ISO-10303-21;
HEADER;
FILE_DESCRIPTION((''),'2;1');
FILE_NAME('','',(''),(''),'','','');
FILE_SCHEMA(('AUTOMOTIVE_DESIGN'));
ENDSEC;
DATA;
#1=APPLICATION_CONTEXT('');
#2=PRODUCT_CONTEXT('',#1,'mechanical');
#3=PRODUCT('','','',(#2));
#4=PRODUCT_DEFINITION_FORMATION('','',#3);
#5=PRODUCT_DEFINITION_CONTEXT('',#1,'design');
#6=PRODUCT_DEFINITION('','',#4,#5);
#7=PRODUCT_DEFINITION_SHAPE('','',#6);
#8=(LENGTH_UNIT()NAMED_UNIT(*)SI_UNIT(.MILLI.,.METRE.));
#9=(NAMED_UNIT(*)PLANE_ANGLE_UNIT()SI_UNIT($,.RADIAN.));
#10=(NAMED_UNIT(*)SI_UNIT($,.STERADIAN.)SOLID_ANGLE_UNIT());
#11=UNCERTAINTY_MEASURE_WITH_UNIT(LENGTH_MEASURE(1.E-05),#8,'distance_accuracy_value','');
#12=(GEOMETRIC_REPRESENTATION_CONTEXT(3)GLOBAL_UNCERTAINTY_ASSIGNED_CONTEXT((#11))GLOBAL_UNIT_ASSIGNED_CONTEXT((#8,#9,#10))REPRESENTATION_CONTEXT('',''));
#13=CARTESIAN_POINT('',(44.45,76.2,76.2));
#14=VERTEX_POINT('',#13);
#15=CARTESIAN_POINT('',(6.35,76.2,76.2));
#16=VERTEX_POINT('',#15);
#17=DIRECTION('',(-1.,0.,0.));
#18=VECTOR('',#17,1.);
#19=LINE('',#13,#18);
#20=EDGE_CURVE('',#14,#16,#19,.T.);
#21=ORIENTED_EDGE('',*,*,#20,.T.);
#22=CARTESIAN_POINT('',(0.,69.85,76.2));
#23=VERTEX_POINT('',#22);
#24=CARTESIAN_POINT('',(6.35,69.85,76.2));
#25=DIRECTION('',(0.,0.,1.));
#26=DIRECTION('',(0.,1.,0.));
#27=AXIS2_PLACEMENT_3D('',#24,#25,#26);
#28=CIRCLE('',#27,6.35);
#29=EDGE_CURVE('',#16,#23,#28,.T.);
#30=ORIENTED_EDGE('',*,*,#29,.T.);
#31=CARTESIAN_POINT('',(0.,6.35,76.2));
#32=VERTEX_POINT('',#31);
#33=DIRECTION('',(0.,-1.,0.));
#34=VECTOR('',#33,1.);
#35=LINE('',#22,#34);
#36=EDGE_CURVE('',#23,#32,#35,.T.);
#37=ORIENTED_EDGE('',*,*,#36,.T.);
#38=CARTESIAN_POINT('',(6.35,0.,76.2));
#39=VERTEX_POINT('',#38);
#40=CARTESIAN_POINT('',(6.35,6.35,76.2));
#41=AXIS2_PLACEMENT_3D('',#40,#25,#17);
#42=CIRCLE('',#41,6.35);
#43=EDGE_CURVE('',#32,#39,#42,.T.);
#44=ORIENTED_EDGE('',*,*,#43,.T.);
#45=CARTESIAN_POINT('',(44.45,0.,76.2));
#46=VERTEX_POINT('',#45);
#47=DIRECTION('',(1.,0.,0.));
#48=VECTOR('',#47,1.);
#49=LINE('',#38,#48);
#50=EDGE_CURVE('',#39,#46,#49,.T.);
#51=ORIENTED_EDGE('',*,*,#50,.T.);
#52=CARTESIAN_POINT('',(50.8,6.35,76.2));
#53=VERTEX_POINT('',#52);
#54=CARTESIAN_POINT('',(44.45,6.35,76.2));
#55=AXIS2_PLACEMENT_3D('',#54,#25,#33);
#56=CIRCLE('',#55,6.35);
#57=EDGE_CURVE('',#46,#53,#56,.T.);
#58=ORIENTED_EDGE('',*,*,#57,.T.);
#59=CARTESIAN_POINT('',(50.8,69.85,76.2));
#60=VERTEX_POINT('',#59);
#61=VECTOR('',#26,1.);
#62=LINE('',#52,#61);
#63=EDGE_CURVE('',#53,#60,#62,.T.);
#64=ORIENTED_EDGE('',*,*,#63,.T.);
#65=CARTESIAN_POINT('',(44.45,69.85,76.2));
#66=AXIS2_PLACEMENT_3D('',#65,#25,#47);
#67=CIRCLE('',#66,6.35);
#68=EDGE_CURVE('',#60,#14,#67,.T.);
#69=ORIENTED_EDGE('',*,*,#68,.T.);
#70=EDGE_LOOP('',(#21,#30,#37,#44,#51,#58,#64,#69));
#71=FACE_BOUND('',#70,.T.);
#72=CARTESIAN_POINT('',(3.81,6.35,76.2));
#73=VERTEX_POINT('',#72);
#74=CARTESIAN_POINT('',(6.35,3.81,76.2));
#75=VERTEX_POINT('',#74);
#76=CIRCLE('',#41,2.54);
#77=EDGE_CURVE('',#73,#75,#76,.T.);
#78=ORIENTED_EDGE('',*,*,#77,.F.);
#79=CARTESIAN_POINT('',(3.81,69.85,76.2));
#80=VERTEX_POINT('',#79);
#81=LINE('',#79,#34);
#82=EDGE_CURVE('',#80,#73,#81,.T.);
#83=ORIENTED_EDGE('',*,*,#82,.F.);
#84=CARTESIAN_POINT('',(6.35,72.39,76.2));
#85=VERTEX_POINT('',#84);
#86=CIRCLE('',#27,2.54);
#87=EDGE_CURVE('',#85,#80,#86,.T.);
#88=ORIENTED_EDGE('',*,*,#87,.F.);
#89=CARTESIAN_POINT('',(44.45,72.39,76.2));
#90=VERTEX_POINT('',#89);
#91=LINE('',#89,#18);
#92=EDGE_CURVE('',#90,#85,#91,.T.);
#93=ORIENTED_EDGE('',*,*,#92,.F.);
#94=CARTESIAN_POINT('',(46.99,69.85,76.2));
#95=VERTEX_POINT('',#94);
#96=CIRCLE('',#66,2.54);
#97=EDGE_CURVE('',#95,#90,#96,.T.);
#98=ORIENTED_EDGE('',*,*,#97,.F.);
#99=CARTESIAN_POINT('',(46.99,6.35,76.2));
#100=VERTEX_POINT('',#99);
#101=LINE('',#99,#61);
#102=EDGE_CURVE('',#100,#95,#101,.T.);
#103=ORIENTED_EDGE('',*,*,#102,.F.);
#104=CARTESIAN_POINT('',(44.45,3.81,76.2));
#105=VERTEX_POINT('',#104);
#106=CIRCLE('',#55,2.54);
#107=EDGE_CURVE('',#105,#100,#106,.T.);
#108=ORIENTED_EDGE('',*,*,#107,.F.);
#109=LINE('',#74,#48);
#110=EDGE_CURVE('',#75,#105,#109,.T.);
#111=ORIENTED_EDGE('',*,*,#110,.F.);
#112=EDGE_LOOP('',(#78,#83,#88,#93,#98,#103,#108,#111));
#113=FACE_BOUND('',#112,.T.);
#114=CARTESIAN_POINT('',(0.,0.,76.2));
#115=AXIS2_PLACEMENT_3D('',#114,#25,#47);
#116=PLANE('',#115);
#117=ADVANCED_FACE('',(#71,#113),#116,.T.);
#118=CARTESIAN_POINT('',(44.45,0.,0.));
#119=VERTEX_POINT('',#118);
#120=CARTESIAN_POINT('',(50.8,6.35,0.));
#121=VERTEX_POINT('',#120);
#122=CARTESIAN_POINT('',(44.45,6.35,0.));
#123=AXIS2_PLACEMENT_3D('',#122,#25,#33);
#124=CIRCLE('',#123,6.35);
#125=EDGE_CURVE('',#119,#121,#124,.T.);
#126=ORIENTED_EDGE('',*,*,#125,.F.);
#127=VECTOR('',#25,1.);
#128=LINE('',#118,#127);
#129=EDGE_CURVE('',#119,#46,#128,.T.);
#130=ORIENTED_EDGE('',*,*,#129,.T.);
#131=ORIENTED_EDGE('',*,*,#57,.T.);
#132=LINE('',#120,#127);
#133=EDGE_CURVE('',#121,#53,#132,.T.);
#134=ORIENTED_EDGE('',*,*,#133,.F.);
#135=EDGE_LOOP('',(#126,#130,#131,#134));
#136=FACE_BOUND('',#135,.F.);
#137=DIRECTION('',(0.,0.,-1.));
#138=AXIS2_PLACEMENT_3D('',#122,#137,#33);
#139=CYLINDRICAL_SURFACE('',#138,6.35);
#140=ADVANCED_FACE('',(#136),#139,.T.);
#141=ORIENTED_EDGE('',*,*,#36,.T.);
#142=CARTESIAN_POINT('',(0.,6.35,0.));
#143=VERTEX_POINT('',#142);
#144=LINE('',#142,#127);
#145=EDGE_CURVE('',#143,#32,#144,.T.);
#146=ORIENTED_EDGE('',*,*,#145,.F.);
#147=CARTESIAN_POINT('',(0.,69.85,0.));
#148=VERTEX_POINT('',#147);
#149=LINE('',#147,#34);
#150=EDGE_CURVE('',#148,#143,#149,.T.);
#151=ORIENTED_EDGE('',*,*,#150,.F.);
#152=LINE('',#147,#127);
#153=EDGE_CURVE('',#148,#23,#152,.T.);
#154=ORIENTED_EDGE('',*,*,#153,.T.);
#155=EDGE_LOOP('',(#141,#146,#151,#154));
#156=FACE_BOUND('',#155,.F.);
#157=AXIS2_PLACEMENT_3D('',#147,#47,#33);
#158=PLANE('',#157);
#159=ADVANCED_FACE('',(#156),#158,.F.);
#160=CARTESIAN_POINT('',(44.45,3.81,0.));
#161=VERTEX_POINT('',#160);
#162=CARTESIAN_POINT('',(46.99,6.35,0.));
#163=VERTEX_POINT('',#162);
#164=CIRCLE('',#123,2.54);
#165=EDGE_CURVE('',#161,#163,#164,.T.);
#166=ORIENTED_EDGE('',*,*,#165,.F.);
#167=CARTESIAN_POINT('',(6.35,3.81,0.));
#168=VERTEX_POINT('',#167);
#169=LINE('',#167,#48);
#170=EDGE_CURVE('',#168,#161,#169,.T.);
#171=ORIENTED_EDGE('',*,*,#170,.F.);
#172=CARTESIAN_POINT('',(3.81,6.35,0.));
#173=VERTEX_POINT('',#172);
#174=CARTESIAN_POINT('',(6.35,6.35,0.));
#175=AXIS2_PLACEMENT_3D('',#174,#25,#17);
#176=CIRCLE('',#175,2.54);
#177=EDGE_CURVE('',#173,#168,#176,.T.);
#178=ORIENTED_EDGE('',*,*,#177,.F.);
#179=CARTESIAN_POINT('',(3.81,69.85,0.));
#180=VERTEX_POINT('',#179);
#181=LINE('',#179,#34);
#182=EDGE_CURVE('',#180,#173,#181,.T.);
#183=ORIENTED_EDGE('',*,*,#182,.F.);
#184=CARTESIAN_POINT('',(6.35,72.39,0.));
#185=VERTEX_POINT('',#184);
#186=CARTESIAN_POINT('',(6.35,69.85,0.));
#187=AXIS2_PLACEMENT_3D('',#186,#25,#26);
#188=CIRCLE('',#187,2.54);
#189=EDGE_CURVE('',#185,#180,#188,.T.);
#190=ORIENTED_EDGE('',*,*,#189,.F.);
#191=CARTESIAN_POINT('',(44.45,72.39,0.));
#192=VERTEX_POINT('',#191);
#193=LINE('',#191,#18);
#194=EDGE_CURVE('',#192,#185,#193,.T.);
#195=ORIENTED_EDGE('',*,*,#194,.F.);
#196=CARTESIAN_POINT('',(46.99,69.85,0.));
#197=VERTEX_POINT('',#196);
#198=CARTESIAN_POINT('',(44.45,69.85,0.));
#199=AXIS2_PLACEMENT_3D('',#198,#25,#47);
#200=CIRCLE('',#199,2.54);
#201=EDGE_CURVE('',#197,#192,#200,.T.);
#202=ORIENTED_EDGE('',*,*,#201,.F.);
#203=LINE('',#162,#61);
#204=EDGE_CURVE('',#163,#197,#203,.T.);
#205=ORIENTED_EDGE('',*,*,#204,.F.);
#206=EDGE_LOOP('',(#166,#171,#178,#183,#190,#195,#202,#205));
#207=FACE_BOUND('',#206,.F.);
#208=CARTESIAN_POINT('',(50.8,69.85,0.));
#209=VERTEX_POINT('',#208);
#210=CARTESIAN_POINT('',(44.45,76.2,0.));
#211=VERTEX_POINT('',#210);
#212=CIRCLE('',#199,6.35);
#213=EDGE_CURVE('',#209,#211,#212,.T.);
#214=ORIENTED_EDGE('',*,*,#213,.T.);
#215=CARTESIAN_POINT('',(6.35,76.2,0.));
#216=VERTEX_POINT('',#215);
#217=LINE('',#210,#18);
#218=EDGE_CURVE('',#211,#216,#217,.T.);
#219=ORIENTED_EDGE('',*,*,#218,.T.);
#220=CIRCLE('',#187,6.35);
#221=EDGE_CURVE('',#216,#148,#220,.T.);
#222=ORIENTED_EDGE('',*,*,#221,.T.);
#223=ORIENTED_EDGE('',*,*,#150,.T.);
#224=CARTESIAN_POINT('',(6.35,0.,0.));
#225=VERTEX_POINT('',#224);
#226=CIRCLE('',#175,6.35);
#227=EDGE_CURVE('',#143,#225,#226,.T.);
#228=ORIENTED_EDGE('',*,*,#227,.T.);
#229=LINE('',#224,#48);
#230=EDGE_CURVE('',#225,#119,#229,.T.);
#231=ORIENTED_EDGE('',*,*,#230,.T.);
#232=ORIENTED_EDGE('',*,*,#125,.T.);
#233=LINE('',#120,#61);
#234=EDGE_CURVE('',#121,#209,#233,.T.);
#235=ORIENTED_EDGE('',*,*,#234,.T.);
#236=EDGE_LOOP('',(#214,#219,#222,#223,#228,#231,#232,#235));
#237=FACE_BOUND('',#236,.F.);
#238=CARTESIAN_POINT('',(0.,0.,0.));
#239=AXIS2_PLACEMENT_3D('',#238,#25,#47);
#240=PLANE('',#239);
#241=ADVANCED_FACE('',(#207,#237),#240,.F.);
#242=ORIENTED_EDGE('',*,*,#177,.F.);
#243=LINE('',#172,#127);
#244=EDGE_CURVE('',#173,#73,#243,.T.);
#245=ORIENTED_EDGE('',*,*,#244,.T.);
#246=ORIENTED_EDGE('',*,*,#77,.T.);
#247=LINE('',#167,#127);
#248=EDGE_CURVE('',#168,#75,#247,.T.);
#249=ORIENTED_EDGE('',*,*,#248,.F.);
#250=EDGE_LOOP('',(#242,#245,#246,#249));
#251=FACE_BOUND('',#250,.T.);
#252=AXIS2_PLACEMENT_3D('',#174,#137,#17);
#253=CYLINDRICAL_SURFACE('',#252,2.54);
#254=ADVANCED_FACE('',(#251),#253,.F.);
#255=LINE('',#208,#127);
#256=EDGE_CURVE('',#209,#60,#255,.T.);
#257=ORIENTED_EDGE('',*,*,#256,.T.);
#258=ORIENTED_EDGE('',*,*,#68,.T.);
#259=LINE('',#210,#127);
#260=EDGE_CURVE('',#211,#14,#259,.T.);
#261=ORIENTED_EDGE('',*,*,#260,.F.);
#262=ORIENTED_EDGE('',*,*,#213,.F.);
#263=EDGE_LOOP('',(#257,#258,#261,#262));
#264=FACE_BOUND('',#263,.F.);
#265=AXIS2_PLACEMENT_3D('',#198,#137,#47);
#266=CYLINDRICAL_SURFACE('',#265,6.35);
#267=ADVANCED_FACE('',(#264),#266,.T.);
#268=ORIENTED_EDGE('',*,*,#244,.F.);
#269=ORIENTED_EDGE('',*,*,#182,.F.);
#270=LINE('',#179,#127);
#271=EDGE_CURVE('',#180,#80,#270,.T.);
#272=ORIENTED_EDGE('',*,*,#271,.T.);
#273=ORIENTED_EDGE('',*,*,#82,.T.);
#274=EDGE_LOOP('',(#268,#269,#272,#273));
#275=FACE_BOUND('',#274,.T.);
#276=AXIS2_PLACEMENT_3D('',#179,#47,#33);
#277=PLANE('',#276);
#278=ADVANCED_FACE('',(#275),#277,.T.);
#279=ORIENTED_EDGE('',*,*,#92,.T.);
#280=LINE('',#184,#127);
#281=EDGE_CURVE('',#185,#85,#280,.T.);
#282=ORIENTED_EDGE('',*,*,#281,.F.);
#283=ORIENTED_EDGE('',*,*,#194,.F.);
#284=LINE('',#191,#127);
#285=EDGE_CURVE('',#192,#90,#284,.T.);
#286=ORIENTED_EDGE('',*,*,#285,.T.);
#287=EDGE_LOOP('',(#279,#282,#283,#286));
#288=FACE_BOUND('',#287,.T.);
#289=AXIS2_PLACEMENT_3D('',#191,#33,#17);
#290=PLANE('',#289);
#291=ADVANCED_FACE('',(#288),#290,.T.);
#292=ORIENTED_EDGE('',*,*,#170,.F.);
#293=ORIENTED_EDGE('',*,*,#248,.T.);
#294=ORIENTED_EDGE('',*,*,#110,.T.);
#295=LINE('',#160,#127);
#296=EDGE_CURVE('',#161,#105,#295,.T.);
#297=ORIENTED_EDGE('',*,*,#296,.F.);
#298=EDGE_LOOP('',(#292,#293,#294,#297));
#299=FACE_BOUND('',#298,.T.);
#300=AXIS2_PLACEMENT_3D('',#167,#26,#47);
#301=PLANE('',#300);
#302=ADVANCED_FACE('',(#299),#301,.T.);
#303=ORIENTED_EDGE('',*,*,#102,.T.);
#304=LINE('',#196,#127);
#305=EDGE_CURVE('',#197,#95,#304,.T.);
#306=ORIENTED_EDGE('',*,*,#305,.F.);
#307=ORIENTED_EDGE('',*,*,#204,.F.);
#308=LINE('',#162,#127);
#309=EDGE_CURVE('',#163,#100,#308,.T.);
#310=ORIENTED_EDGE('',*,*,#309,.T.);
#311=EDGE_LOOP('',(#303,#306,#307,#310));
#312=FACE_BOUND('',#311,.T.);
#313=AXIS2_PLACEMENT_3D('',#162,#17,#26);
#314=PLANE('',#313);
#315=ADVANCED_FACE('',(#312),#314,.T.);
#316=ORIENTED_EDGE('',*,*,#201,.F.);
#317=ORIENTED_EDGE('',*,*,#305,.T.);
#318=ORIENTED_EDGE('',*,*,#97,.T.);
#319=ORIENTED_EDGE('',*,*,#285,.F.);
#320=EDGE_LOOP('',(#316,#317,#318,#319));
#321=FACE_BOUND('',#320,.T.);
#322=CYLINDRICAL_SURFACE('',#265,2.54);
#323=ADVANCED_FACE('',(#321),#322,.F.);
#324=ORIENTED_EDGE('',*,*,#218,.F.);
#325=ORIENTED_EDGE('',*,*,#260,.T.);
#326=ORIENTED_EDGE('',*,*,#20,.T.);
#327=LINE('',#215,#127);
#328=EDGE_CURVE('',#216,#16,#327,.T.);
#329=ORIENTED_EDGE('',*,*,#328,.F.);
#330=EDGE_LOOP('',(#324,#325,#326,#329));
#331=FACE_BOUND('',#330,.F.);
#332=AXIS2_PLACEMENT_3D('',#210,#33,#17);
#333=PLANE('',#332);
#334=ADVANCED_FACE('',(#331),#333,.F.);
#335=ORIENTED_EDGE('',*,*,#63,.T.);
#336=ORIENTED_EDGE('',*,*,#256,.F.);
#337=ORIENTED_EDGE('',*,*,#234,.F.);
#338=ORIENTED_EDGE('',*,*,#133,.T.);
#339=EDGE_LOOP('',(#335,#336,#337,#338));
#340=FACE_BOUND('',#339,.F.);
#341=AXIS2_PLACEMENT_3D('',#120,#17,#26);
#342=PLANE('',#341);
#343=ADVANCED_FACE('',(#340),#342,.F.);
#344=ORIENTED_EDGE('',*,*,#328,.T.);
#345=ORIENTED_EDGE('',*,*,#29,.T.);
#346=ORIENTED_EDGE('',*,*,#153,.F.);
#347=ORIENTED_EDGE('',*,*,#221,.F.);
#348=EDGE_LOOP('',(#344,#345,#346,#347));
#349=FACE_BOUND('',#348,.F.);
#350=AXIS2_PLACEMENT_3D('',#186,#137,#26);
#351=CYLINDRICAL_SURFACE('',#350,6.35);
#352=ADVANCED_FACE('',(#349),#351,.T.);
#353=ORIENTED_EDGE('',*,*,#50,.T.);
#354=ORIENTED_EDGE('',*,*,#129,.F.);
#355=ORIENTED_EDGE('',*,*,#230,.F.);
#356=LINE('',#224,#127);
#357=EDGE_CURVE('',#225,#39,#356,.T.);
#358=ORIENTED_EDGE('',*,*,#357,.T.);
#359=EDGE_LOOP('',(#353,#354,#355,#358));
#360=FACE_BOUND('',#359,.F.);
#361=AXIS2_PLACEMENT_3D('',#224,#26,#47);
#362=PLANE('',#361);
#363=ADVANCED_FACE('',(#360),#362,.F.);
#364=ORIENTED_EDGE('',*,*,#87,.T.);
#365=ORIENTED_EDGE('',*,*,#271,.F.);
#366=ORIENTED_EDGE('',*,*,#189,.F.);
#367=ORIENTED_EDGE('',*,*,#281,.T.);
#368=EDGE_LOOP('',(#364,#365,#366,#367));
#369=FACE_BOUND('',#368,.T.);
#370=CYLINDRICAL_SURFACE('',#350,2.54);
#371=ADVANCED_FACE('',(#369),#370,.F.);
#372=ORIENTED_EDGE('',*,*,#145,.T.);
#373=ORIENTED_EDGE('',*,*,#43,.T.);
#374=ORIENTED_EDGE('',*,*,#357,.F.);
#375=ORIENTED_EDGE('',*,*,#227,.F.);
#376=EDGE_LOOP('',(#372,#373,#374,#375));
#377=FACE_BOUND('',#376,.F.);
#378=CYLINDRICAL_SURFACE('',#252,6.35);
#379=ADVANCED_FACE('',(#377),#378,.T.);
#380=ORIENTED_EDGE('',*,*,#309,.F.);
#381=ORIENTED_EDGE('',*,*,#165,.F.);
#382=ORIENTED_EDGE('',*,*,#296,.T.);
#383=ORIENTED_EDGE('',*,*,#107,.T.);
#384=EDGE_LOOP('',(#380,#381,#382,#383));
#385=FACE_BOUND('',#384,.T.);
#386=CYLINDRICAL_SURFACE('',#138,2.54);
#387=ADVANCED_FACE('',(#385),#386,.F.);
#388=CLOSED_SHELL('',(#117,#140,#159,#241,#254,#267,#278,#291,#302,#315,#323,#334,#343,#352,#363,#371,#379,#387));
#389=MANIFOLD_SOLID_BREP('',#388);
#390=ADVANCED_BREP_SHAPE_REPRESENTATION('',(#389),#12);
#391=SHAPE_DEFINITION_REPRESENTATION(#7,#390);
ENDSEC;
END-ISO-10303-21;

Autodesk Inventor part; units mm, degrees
ref_plane "YZ Plane" through (0, 0, 0) normal (1, 0, 0) x (0, 1, 0)
ref_plane "XZ Plane" through (0, 0, 0) normal (0, 1, 0) x (-1, 0, 0)
ref_plane "XY Plane" through (0, 0, 0) normal (0, 0, 1) x (1, 0, 0)
sketch "Sketch1" plane through (0, 0, 0) normal (0, 0, 1) x (1, 0, 0)
  line L0 (6.35, 0) -> (44.45, 0)
  line L1 (50.8, 6.35) -> (50.8, 69.85)
  line L2 (44.45, 76.2) -> (6.35, 76.2)
  line L3 (0, 69.85) -> (0, 6.35)
  arc A0 (6.35, 76.2) -> (0, 69.85) centre (6.35, 69.85) ccw
  arc A1 (50.8, 69.85) -> (44.45, 76.2) centre (44.45, 69.85) ccw
  arc A2 (44.45, 0) -> (50.8, 6.35) centre (44.45, 6.35) ccw
  arc A3 (0, 6.35) -> (6.35, 0) centre (6.35, 6.35) ccw
  line L4 (3.81, 69.85) -> (3.81, 6.35)
  arc A4 (3.81, 6.35) -> (6.35, 3.81) centre (6.35, 6.35) ccw
  line L5 (6.35, 3.81) -> (44.45, 3.81)
  arc A5 (44.45, 3.81) -> (46.99, 6.35) centre (44.45, 6.35) ccw
  line L6 (46.99, 6.35) -> (46.99, 69.85)
  arc A6 (46.99, 69.85) -> (44.45, 72.39) centre (44.45, 69.85) ccw
  line L7 (44.45, 72.39) -> (6.35, 72.39)
  arc A7 (6.35, 72.39) -> (3.81, 69.85) centre (6.35, 69.85) ccw
  point P0 (0, 0)
  point P1 (50.8, 76.2)
  point P2 (50.8, 0)
  point P3 (0, 76.2)
  dimension "d0" = 50.8
  dimension "d1" = 76.2
  dimension "d2" = 6.35
  dimension "d3" = 6.35
  dimension "d4" = 3.81
extrude "Extrusion1" add sketch "Sketch1" along normal blind 76.2
properties part number "Generic 2x3in Steel Square Tubing"
